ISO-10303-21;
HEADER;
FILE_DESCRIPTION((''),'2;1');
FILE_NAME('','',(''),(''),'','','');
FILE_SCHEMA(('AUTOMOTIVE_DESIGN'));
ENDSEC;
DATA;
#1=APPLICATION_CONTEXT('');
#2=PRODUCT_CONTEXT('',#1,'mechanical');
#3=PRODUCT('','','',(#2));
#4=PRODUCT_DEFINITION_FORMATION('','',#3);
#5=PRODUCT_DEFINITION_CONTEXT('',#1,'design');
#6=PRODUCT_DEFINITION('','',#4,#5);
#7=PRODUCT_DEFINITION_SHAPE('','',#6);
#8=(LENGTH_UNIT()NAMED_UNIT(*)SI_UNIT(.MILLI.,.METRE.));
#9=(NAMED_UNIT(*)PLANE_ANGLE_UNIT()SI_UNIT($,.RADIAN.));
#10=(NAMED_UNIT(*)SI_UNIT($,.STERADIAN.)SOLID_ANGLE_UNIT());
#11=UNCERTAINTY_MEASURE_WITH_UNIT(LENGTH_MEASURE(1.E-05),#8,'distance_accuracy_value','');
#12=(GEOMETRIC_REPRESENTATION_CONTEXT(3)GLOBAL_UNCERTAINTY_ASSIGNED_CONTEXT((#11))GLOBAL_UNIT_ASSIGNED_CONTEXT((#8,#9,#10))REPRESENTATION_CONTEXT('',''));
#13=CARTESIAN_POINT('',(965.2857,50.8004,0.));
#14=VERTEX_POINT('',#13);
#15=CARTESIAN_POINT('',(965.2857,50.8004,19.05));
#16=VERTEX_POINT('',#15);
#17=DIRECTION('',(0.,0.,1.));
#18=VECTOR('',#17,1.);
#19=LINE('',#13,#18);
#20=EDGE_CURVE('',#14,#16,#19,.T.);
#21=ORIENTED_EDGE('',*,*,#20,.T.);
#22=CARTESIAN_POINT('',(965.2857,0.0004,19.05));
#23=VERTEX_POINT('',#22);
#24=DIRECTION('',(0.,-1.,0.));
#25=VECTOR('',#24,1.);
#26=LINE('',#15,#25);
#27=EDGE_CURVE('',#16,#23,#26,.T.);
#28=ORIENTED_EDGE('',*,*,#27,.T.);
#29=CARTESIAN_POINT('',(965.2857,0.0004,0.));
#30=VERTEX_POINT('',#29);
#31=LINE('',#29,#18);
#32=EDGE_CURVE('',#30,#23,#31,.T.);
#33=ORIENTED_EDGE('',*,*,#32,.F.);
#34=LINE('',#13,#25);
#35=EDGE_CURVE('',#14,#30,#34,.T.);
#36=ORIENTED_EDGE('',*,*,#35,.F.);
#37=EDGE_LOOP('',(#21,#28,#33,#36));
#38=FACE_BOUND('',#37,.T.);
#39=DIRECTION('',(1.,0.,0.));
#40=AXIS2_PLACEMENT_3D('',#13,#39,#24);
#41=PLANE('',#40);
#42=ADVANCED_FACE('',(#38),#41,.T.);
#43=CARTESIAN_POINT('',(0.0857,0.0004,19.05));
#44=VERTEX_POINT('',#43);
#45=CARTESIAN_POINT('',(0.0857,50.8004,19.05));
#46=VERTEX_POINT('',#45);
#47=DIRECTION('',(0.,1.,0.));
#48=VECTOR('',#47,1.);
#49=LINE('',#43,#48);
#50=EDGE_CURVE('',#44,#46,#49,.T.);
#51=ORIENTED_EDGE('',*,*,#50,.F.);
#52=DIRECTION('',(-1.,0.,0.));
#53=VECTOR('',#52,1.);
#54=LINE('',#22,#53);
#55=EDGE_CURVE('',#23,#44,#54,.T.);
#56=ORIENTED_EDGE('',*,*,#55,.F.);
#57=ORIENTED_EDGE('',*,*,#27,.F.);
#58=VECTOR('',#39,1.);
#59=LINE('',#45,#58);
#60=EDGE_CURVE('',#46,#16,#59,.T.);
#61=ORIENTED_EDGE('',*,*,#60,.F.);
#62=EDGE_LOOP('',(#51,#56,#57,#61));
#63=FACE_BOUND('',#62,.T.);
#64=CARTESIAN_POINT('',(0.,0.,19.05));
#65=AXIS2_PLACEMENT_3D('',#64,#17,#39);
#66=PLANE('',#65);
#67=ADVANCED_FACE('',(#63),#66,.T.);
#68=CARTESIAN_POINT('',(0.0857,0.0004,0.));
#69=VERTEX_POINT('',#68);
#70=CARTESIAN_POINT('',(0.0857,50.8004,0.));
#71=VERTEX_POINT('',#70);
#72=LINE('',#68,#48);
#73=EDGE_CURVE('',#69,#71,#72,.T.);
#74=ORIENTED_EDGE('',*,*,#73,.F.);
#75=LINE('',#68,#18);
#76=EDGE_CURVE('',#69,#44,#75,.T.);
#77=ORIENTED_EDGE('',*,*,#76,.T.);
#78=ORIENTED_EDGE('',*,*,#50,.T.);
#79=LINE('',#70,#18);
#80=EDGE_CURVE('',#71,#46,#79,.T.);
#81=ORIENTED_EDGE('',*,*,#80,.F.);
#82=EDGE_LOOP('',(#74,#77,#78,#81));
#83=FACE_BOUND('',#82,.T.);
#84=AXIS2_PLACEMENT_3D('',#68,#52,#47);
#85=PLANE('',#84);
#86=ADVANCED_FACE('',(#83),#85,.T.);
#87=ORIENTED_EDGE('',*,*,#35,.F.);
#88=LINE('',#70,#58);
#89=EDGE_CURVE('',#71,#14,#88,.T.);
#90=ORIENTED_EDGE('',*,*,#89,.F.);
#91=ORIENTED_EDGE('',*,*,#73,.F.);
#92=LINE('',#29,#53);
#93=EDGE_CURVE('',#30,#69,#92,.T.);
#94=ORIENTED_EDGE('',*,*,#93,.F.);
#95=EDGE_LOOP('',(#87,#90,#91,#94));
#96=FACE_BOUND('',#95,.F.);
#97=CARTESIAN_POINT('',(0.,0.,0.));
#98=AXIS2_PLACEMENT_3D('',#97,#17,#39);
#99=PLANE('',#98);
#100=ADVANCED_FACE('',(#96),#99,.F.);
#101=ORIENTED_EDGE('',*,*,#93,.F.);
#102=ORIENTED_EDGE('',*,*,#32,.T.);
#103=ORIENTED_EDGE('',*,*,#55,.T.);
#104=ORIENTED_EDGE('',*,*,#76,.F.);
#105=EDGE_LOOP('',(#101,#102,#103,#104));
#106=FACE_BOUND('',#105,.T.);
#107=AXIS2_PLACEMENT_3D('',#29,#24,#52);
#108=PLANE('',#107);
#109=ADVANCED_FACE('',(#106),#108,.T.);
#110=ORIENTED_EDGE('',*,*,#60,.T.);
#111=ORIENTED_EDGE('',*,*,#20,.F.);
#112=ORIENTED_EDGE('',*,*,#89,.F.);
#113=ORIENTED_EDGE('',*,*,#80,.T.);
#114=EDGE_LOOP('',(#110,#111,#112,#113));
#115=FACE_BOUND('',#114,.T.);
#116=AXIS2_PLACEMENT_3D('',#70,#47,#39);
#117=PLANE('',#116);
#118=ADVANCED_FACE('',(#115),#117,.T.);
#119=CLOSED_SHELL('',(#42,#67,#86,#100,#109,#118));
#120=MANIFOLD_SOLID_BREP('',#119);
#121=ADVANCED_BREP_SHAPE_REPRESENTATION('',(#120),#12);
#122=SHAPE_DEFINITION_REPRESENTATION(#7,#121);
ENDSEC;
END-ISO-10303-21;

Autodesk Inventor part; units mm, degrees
ref_plane "YZ Plane" through (0, 0, 0) normal (1, 0, 0) x (0, 1, 0)
ref_plane "XZ Plane" through (0, 0, 0) normal (0, 1, 0) x (-1, 0, 0)
ref_plane "XY Plane" through (0, 0, 0) normal (0, 0, 1) x (1, 0, 0)
sketch "Sketch1" plane through (0, 0, 0) normal (0, 0, 1) x (1, 0, 0)
  line L0 (0.0857, 0.0004) -> (0.0857, 50.8004)
  line L1 (0.0857, 50.8004) -> (965.2857, 50.8004)
  line L2 (965.2857, 50.8004) -> (965.2857, 0.0004)
  line L3 (965.2857, 0.0004) -> (0.0857, 0.0004)
  point P0 (0, 0)
extrude "Extrusion1" add sketch "Sketch1" along normal blind 19.05
properties part number "nd-d"
